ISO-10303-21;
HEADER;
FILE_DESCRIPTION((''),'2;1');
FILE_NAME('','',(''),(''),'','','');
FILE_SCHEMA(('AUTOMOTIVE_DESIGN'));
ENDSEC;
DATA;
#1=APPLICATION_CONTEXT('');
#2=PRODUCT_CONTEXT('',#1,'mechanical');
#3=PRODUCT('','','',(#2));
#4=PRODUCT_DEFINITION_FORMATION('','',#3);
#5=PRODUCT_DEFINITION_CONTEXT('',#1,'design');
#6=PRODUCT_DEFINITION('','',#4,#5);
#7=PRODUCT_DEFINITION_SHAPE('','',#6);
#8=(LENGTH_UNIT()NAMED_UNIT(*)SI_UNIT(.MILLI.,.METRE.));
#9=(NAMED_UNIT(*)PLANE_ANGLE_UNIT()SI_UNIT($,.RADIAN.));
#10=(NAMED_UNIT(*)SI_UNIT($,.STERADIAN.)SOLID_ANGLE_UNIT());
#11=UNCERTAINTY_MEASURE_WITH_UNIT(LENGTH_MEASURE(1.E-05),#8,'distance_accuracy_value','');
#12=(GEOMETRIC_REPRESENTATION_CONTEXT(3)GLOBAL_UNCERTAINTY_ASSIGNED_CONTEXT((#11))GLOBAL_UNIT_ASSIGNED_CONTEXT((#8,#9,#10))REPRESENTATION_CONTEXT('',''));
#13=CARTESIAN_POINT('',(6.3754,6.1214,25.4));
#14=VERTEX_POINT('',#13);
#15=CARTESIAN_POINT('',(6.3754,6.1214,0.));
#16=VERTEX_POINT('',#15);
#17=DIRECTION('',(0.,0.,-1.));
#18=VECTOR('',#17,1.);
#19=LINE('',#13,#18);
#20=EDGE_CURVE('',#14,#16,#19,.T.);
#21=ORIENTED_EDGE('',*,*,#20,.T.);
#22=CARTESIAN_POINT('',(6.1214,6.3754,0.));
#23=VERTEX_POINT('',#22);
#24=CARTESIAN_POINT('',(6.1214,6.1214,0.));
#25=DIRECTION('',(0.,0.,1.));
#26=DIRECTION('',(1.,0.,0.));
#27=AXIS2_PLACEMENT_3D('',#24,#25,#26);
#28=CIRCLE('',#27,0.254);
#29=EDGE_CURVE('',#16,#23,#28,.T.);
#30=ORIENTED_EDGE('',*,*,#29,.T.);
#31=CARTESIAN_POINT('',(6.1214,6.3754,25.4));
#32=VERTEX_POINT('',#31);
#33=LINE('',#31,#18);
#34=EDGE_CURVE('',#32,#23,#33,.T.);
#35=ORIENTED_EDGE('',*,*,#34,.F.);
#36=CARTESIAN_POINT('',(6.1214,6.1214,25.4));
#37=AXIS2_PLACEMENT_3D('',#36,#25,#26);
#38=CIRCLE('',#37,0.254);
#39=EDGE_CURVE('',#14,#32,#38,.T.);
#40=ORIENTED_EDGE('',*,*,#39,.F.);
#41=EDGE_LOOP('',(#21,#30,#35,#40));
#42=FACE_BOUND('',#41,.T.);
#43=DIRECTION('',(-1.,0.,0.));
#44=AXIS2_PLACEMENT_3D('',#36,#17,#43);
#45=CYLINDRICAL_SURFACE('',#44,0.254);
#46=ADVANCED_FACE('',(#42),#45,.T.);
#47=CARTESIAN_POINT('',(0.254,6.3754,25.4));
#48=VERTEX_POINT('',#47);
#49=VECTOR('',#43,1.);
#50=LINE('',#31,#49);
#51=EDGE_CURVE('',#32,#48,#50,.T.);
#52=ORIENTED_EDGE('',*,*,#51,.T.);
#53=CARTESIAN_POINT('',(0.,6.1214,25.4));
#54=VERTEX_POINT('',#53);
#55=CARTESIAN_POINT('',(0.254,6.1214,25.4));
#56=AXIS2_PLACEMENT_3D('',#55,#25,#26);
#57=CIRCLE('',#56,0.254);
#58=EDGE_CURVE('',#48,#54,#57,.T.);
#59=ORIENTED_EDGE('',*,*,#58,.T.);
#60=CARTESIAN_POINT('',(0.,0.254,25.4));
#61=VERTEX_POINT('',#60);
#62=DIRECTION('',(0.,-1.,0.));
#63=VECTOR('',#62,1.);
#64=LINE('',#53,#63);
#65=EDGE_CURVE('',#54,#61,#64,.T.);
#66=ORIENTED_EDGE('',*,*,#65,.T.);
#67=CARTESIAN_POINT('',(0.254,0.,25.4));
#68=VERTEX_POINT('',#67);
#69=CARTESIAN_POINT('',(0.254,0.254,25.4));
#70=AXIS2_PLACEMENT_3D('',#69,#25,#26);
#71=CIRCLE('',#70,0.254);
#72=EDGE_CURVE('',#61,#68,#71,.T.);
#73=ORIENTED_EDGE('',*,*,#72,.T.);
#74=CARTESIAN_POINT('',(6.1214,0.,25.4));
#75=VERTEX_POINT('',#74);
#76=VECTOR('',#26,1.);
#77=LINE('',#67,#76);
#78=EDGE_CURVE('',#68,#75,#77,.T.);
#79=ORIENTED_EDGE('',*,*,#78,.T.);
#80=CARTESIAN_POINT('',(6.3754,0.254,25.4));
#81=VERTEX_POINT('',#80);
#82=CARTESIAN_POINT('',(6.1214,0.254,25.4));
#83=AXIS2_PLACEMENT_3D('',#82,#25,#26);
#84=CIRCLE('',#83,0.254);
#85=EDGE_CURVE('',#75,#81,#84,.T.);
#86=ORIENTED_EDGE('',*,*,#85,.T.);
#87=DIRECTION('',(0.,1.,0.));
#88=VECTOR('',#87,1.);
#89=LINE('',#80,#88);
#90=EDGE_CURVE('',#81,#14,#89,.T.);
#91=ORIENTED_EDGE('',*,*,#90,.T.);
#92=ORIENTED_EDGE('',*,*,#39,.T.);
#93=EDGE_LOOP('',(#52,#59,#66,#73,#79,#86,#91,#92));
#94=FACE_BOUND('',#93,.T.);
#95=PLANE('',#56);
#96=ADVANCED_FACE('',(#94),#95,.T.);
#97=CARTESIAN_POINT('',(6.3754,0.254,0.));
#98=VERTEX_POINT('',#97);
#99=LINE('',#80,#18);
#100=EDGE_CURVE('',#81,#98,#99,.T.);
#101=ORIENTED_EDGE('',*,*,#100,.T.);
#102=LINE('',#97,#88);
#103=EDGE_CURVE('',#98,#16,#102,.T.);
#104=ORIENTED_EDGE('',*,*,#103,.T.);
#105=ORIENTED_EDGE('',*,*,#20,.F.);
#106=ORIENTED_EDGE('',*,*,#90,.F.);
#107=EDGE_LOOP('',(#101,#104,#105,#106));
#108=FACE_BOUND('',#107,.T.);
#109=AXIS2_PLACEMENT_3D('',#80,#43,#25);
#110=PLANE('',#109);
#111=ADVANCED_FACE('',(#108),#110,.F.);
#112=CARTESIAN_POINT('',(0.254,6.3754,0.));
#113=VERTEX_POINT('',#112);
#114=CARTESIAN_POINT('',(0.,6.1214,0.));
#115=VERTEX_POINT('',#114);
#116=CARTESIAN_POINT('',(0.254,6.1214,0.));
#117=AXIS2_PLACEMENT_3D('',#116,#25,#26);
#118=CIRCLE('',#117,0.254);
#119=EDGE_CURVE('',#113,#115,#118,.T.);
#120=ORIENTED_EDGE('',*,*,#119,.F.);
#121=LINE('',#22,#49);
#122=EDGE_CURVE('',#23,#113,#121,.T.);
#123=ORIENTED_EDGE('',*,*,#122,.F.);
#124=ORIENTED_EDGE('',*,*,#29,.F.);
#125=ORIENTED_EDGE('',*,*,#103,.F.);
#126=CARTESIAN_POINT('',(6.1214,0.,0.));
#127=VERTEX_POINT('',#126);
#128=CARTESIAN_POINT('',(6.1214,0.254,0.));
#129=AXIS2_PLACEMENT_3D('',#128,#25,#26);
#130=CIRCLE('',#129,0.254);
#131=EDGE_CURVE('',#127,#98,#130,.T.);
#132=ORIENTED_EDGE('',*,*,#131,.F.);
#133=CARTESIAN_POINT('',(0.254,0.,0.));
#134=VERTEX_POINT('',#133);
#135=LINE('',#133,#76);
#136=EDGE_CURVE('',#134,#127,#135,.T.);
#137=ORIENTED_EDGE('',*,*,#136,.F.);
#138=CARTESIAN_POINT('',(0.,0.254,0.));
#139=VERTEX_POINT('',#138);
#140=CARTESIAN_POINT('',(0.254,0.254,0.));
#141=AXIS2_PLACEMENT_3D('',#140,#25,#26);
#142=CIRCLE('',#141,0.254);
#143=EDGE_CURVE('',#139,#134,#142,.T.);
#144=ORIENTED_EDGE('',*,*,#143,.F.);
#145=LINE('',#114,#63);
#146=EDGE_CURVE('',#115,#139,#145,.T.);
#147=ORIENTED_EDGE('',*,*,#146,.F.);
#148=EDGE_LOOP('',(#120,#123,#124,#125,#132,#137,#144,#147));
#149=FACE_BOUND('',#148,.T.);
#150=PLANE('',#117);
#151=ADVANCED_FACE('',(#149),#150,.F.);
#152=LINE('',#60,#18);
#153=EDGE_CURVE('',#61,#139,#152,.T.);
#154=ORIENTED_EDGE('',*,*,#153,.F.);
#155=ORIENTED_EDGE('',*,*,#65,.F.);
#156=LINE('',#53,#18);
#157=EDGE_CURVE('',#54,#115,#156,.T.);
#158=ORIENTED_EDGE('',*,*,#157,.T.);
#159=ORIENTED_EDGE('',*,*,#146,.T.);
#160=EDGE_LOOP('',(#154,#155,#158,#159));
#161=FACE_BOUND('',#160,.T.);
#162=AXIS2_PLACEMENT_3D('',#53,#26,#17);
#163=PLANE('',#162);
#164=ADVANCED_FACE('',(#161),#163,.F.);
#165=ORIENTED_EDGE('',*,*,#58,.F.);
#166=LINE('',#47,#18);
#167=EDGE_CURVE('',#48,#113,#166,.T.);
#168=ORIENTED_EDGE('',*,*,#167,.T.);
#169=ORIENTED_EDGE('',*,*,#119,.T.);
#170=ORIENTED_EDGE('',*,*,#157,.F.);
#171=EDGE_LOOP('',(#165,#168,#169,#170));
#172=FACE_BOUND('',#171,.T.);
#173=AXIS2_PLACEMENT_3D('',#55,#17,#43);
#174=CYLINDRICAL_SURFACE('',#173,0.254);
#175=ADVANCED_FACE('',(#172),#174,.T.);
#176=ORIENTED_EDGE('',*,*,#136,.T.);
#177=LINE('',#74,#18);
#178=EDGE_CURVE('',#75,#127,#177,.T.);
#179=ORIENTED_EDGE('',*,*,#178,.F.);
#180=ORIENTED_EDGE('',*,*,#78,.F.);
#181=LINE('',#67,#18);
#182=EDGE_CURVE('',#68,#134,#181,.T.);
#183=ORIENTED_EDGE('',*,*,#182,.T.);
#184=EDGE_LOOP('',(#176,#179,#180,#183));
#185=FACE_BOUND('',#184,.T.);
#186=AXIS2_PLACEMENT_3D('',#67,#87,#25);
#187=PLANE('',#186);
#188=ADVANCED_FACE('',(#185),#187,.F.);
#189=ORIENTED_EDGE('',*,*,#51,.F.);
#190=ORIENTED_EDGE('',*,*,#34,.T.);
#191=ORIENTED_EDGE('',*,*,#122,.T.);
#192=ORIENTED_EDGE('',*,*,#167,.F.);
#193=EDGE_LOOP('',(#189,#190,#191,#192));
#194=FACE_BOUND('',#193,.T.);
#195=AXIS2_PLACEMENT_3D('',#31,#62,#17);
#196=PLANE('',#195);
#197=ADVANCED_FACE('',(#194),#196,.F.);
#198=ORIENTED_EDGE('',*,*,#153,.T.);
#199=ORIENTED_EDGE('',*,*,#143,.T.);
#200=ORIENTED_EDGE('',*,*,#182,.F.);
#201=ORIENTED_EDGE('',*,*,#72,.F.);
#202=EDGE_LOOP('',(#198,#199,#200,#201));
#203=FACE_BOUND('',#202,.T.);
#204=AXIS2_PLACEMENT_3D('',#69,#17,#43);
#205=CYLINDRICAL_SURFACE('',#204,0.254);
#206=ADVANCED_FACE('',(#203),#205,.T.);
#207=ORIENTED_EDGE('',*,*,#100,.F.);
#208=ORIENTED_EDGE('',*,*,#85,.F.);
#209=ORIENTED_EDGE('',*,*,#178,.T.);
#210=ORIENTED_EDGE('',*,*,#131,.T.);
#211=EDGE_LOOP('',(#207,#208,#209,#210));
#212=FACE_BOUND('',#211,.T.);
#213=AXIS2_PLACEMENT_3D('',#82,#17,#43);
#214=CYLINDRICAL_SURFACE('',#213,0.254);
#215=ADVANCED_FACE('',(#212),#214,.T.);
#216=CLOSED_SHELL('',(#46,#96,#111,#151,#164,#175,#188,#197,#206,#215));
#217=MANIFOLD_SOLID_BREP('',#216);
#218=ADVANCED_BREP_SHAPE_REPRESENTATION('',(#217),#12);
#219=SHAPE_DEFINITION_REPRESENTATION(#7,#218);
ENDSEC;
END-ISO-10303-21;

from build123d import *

# Parameters (mm, degrees)
BOSS_EXTRUDE1_DEPTH = 25.4


with BuildPart() as part:
    # Sketch1 → Boss-Extrude1 (new body)
    with BuildSketch(Plane.XY):
        with BuildLine():
            Line((0.254, 0), (6.1214, 0))
            ThreePointArc((6.1214, 0), (6.301005122, 0.074394878), (6.3754, 0.254))
            Line((6.3754, 0.254), (6.3754, 6.1214))
            ThreePointArc((6.3754, 6.1214), (6.301005122, 6.301005122), (6.1214, 6.3754))
            Line((6.1214, 6.3754), (0.254, 6.3754))
            ThreePointArc((0.254, 6.3754), (0.074394878, 6.301005122), (0, 6.1214))
            Line((0, 6.1214), (0, 0.254))
            ThreePointArc((0, 0.254), (0.074394878, 0.074394878), (0.254, 0))
        make_face()
    extrude(amount=BOSS_EXTRUDE1_DEPTH)


solid = part.part
